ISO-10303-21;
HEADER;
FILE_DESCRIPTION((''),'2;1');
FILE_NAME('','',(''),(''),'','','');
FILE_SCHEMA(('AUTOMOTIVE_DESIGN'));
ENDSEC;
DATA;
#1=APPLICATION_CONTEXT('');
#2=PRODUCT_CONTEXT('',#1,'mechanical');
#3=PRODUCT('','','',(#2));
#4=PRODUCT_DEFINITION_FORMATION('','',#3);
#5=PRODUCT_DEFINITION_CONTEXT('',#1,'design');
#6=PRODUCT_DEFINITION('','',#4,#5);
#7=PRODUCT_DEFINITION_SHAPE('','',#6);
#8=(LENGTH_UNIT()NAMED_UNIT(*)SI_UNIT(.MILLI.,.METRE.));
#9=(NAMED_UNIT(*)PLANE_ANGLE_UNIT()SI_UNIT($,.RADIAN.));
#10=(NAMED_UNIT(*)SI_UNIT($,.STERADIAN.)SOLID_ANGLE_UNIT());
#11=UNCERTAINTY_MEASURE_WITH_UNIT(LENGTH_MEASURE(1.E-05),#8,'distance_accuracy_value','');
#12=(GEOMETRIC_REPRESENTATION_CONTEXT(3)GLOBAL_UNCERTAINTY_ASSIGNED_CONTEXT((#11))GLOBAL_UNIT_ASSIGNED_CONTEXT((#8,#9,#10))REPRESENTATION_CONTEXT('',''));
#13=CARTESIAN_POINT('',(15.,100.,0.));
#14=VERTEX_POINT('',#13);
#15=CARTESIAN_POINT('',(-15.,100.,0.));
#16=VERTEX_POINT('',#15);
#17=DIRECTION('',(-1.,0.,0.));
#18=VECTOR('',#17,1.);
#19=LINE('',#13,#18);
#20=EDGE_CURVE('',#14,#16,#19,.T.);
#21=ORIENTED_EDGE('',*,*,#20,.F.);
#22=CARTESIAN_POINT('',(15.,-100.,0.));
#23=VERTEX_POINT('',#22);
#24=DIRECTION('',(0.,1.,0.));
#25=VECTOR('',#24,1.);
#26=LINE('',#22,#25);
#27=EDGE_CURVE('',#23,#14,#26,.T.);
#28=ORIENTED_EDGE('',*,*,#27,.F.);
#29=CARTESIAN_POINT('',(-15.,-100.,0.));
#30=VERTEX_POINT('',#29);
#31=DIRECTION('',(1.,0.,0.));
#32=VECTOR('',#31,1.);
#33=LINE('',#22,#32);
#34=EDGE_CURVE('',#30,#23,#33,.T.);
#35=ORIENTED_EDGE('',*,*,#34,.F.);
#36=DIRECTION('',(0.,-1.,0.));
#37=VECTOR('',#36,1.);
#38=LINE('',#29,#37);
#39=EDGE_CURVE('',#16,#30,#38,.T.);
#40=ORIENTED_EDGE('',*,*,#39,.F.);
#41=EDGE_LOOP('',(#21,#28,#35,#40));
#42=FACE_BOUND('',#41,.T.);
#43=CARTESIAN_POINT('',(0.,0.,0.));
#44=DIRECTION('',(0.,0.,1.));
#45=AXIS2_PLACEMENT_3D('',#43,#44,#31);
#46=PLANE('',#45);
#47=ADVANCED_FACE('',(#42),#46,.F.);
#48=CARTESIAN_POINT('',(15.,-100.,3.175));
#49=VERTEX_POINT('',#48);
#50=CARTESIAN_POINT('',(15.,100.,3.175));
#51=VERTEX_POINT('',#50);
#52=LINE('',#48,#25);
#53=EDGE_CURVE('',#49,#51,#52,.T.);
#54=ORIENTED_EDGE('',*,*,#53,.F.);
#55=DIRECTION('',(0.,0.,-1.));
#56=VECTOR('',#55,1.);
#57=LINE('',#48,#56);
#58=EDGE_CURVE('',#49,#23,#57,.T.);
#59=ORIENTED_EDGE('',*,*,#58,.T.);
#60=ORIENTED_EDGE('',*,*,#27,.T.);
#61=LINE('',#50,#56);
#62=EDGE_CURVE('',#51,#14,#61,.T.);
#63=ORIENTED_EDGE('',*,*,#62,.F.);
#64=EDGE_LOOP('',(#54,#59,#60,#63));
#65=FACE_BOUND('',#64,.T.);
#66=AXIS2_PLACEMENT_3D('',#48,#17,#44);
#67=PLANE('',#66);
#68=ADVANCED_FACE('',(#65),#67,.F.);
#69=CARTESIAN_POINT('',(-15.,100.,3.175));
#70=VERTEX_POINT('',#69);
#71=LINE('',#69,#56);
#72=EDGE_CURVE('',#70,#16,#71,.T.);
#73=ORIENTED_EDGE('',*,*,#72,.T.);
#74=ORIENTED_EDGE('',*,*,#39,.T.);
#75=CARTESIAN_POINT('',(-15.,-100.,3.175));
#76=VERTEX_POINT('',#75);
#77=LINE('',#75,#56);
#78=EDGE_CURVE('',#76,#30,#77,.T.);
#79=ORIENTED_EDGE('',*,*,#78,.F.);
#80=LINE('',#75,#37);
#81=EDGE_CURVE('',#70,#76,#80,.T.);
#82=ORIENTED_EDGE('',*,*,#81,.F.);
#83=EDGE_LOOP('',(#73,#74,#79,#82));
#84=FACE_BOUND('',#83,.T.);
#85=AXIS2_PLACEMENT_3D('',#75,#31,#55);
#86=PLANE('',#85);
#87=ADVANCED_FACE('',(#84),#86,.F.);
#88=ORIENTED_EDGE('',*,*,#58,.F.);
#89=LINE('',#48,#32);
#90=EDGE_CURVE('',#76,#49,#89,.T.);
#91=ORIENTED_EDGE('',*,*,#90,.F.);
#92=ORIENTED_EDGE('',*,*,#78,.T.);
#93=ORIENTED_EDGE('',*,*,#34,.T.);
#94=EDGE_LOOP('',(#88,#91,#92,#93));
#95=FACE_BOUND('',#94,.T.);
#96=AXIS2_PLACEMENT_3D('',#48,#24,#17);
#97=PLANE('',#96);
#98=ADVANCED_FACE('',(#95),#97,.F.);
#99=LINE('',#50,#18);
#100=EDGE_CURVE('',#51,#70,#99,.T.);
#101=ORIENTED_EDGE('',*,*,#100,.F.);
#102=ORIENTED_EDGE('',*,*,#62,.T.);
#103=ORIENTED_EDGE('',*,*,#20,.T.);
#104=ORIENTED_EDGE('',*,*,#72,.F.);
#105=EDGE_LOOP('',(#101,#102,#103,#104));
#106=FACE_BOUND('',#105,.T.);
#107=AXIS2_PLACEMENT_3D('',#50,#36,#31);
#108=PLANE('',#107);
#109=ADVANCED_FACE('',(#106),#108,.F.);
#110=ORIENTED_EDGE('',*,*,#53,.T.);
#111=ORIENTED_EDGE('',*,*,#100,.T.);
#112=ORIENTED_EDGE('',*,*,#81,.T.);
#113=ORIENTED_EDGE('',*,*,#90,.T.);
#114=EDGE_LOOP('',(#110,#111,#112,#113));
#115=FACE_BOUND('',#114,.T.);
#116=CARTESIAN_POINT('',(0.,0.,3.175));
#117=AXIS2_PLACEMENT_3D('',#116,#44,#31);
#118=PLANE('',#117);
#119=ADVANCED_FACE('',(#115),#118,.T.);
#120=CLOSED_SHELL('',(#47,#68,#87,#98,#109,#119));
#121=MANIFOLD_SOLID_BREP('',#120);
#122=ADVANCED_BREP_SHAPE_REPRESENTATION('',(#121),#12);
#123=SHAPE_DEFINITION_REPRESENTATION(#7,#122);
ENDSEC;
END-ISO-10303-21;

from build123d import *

# Parameters (mm, degrees)
SKETCH1_W           = 30
SKETCH1_H           = 200
BOSS_EXTRUDE1_DEPTH = 3.175


with BuildPart() as part:
    # Sketch1 → Boss-Extrude1 (new body)
    with BuildSketch(Plane.XY):
        Rectangle(SKETCH1_W, SKETCH1_H)
    extrude(amount=BOSS_EXTRUDE1_DEPTH)


solid = part.part
